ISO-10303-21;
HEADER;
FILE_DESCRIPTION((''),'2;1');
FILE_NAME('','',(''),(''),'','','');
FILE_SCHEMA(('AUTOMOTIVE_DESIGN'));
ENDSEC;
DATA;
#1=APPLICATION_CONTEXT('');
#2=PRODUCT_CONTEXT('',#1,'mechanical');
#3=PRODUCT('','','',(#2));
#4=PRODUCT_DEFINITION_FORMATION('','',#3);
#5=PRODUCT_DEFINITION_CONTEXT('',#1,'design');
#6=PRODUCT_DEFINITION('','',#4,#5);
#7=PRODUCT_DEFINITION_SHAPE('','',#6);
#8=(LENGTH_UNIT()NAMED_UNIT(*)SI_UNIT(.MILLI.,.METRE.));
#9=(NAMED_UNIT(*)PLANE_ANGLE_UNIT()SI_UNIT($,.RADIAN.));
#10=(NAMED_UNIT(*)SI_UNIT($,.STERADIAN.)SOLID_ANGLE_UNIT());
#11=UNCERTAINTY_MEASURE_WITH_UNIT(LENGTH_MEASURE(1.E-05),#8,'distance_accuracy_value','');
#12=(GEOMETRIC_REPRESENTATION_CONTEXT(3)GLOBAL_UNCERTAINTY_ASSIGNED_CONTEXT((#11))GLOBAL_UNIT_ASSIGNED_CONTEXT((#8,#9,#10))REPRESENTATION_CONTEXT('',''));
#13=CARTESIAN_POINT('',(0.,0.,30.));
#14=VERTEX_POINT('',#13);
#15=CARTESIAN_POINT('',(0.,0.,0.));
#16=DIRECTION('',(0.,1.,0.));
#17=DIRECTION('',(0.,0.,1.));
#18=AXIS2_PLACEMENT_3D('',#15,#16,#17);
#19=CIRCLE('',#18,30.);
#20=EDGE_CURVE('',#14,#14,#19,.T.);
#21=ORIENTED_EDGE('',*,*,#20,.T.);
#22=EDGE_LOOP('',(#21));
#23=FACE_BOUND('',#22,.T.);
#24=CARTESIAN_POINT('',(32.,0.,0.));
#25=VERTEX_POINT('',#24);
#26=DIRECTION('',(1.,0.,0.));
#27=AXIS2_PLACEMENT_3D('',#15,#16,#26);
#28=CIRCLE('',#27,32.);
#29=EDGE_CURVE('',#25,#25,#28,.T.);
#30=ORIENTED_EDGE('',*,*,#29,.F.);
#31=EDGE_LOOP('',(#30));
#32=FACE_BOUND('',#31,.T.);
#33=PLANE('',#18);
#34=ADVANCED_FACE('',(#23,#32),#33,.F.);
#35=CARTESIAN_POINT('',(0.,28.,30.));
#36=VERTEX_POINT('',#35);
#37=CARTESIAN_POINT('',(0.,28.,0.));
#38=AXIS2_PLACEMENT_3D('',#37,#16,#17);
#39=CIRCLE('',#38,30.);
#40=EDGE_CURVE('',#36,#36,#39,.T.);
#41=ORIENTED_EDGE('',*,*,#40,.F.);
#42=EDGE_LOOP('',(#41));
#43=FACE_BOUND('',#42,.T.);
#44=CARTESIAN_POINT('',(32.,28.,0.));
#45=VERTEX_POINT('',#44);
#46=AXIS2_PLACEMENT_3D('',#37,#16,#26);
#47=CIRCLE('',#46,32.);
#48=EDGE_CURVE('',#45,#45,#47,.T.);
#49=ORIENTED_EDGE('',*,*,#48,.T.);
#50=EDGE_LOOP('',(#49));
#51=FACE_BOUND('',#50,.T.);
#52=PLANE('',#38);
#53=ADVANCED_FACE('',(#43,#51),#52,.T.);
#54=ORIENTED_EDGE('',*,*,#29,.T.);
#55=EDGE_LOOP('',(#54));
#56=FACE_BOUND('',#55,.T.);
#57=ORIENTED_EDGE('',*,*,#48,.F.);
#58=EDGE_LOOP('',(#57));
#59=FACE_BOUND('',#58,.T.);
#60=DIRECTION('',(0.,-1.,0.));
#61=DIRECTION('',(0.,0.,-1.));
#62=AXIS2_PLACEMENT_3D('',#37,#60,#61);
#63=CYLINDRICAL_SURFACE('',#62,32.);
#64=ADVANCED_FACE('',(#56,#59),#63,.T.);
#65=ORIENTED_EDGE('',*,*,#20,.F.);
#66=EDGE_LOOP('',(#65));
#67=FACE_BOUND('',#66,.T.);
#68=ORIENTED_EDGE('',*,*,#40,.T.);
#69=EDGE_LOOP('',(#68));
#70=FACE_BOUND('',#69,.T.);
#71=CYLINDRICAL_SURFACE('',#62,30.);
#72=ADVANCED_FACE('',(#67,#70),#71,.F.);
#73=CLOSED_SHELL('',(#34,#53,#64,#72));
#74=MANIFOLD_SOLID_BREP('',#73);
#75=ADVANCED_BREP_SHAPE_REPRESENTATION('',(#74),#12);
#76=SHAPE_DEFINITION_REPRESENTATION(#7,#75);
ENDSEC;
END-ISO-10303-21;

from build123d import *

# Parameters (mm, degrees)
SKETCH1_R           = 32
SKETCH1_R_2         = 30
EXTRUDE_THIN1_DEPTH = 28


with BuildPart() as part:
    # Sketch1 → Extrude-Thin1 (new body)
    with BuildSketch(Plane(origin=(0, 0, 0), x_dir=(1, 0, 0), z_dir=(0, 1, 0))):
        Circle(SKETCH1_R)
        Circle(SKETCH1_R_2, mode=Mode.SUBTRACT)
    extrude(amount=EXTRUDE_THIN1_DEPTH)


solid = part.part
